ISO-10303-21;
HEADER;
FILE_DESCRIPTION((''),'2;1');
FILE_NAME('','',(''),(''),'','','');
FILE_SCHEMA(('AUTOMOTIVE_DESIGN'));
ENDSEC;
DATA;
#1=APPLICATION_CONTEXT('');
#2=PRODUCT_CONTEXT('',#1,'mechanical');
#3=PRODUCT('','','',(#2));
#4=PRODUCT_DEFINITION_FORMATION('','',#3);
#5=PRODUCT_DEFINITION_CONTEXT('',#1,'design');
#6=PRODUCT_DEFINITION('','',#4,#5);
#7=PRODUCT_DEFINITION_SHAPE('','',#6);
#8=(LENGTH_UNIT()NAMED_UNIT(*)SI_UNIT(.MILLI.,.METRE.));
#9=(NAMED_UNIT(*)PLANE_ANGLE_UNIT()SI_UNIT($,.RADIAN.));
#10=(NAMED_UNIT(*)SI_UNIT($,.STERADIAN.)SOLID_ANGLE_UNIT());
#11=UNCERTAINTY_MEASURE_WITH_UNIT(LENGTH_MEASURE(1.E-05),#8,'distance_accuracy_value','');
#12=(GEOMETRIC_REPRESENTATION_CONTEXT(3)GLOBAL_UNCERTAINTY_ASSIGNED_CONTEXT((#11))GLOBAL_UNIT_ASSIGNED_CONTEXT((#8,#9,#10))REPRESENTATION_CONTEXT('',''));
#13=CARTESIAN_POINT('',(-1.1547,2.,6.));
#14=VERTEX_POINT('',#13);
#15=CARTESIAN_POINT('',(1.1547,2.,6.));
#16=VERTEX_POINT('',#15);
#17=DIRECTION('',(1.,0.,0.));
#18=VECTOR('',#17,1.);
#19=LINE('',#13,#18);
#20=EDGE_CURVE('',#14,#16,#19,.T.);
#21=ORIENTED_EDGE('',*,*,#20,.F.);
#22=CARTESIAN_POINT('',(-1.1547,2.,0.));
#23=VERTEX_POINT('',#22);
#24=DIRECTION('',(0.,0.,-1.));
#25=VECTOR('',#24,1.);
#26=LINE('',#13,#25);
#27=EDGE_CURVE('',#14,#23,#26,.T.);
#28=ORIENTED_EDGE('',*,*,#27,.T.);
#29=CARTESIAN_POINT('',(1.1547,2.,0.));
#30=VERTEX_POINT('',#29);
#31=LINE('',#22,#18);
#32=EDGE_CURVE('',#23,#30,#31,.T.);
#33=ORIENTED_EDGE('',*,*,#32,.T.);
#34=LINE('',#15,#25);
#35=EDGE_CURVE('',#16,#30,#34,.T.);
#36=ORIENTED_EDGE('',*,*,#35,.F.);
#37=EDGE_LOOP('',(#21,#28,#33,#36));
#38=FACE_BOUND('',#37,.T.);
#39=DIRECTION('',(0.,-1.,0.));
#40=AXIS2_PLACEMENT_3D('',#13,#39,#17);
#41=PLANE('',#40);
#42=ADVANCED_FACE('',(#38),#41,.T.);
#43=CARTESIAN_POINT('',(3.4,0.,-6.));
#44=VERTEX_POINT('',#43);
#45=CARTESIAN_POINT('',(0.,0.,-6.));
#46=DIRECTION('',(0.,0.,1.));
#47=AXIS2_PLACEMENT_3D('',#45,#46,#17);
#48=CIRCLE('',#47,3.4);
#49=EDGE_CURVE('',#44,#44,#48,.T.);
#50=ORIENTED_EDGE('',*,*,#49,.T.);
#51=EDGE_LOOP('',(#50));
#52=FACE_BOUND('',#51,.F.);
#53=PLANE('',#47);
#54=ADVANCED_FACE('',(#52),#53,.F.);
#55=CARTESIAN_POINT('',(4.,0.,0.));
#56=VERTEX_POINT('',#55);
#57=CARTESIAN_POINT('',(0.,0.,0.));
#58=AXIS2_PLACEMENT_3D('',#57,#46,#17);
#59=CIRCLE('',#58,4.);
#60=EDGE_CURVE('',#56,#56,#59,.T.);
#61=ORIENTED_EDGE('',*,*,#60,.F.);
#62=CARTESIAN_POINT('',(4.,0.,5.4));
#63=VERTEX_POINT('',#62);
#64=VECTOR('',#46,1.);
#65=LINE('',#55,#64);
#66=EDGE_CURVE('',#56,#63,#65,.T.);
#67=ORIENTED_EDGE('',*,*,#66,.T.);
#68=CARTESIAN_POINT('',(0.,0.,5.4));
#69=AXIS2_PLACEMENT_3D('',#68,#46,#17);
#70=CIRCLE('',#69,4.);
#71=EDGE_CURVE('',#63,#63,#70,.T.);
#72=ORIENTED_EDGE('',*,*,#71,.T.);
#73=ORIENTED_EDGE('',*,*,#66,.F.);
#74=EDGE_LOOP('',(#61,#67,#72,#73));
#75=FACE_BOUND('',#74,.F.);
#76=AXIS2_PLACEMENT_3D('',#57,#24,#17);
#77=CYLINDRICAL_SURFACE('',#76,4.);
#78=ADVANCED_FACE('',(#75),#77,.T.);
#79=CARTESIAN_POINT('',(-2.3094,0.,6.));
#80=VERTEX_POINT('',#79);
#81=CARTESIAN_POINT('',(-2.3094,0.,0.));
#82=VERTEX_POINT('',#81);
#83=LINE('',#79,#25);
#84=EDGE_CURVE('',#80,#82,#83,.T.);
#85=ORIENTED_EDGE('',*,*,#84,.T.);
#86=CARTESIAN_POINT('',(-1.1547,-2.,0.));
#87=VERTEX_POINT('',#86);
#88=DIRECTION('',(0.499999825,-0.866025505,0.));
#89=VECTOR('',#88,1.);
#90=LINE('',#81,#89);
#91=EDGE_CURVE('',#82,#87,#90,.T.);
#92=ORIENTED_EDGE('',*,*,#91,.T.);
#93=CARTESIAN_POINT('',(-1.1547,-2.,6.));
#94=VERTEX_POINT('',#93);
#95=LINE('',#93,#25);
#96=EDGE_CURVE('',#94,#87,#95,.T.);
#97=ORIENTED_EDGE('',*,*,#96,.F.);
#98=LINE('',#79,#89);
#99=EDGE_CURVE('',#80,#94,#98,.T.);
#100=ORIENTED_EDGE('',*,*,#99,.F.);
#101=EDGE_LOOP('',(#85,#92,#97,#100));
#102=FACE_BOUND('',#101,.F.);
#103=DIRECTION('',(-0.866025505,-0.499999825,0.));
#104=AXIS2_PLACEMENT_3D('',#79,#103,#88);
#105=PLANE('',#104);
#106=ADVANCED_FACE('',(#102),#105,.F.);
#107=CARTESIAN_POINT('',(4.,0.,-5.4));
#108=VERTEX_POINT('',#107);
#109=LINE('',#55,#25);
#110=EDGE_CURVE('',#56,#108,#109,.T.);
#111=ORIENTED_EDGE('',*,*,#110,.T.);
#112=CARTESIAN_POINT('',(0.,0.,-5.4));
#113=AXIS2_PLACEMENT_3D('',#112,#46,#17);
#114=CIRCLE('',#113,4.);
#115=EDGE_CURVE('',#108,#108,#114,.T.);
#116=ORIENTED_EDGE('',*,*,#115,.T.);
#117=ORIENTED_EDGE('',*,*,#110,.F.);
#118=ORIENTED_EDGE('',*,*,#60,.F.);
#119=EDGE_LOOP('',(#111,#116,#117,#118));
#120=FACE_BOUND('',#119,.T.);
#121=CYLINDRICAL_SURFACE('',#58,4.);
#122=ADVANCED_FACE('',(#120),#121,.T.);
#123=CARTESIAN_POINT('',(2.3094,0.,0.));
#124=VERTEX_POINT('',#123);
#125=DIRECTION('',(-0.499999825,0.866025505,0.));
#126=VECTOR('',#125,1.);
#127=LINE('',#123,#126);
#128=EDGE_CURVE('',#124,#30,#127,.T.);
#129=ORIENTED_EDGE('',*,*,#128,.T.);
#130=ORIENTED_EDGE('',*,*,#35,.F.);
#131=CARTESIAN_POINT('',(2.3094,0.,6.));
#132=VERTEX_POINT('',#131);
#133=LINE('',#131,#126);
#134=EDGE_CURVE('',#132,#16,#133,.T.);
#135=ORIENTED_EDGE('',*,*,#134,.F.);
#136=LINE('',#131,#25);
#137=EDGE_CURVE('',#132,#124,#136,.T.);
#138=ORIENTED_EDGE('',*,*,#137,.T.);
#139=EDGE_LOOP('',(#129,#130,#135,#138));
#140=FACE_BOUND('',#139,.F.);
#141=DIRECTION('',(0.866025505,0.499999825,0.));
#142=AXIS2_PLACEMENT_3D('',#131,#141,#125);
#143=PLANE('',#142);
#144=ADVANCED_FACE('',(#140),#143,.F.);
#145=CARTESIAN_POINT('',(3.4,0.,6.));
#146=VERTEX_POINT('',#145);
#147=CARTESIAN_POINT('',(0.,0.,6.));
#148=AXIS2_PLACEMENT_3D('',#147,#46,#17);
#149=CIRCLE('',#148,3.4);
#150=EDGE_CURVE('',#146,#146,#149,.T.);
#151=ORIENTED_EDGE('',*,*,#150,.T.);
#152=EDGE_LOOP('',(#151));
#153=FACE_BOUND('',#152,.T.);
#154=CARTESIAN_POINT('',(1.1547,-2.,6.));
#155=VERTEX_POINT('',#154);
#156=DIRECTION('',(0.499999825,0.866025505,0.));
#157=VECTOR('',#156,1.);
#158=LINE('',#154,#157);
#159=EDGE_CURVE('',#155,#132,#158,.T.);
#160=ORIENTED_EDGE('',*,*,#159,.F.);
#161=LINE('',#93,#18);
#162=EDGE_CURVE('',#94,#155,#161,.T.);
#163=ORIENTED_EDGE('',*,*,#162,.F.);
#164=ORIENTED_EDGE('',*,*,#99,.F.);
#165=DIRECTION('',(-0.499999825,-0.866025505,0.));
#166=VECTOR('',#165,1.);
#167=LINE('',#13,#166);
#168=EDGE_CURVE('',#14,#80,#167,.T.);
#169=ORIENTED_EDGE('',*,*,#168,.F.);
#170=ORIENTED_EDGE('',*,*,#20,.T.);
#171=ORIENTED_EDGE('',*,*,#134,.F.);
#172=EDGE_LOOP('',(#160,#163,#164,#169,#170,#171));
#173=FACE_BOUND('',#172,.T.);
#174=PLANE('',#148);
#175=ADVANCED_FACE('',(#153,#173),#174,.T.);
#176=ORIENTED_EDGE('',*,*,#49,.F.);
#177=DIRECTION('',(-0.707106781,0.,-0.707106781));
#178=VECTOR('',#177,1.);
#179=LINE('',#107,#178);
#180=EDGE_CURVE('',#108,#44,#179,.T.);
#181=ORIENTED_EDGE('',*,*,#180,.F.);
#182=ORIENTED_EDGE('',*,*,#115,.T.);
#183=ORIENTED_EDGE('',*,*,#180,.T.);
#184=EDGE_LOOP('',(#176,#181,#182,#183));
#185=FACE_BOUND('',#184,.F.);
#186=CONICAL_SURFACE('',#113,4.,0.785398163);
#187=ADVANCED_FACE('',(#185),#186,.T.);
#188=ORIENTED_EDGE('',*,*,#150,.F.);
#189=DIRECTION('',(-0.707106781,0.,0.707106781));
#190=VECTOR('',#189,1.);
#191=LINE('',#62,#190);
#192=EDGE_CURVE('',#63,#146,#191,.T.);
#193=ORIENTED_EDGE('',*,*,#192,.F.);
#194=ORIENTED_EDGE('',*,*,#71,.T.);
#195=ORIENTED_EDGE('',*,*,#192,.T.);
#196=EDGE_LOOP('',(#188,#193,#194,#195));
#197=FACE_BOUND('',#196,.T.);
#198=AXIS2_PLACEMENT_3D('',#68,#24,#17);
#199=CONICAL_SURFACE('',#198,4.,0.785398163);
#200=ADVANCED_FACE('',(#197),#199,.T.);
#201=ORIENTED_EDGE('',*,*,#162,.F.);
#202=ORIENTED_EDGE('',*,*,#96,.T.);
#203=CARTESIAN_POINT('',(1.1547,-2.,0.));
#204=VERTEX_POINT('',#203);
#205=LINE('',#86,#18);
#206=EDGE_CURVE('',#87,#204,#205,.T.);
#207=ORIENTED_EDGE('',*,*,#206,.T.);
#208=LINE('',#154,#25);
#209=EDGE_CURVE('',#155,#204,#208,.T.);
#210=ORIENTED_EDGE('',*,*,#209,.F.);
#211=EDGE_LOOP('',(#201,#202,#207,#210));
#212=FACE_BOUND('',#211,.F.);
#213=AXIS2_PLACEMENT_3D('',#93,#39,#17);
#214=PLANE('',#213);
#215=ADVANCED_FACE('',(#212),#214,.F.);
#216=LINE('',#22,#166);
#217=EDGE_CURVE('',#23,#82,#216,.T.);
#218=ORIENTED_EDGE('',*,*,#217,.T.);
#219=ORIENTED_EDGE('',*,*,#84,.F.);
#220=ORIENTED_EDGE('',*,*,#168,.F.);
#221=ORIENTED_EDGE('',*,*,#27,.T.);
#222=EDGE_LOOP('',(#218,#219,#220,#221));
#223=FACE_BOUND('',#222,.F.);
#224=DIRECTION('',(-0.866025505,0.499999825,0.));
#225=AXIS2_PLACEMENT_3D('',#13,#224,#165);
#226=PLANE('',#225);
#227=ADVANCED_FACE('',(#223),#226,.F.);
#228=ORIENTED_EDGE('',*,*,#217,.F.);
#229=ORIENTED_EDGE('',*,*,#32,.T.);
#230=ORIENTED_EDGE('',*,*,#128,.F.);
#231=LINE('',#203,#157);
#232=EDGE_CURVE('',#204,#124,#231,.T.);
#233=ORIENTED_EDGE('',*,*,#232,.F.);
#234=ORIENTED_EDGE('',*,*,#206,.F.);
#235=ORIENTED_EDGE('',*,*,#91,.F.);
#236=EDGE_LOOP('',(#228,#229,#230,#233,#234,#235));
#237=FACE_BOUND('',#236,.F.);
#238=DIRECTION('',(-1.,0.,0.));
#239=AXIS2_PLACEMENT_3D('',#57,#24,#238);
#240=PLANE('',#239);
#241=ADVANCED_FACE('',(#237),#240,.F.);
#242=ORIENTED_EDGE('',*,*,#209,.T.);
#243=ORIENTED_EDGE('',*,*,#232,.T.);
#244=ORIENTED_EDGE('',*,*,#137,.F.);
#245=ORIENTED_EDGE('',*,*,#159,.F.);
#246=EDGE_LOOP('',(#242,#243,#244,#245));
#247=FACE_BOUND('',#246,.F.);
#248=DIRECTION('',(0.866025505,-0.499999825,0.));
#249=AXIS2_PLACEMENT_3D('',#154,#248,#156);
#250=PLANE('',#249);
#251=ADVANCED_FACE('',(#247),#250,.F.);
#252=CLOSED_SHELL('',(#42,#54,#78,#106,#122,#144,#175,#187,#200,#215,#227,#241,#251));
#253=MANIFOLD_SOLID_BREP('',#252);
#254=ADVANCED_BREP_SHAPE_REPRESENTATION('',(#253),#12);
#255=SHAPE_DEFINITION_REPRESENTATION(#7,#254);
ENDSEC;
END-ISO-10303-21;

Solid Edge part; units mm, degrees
sketch "Sketch1" plane through (0, 0, 0) normal (0, 0, 1) x (1, 0, 0)
  circle A0 centre (0, 0) radius 4
  dimension "D1" = 8
extrude "Protrusion1" add sketch "Sketch1" along normal mid plane 12
chamfer "Chamfer1" distance 0.6 angle 45 2 edges at (-4, 0, -6) (-4, 0, 6)
sketch "Sketch2" plane through (0, 0, 6) normal (0, 0, 1) x (1, 0, 0)
  line L0 (-1.1547, 2) -> (1.1547, 2)
  line L1 (2.3094, 0) -> (1.1547, 2)
  line L2 (1.1547, -2) -> (2.3094, 0)
  line L3 (-1.1547, -2) -> (1.1547, -2)
  line L4 (-2.3094, 0) -> (-1.1547, -2)
  line L5 (-1.1547, 2) -> (-2.3094, 0)
  dimension "D1" = 4
extrude "Cutout1" cut sketch "Sketch2" against normal blind 6
properties part number "24101514"
